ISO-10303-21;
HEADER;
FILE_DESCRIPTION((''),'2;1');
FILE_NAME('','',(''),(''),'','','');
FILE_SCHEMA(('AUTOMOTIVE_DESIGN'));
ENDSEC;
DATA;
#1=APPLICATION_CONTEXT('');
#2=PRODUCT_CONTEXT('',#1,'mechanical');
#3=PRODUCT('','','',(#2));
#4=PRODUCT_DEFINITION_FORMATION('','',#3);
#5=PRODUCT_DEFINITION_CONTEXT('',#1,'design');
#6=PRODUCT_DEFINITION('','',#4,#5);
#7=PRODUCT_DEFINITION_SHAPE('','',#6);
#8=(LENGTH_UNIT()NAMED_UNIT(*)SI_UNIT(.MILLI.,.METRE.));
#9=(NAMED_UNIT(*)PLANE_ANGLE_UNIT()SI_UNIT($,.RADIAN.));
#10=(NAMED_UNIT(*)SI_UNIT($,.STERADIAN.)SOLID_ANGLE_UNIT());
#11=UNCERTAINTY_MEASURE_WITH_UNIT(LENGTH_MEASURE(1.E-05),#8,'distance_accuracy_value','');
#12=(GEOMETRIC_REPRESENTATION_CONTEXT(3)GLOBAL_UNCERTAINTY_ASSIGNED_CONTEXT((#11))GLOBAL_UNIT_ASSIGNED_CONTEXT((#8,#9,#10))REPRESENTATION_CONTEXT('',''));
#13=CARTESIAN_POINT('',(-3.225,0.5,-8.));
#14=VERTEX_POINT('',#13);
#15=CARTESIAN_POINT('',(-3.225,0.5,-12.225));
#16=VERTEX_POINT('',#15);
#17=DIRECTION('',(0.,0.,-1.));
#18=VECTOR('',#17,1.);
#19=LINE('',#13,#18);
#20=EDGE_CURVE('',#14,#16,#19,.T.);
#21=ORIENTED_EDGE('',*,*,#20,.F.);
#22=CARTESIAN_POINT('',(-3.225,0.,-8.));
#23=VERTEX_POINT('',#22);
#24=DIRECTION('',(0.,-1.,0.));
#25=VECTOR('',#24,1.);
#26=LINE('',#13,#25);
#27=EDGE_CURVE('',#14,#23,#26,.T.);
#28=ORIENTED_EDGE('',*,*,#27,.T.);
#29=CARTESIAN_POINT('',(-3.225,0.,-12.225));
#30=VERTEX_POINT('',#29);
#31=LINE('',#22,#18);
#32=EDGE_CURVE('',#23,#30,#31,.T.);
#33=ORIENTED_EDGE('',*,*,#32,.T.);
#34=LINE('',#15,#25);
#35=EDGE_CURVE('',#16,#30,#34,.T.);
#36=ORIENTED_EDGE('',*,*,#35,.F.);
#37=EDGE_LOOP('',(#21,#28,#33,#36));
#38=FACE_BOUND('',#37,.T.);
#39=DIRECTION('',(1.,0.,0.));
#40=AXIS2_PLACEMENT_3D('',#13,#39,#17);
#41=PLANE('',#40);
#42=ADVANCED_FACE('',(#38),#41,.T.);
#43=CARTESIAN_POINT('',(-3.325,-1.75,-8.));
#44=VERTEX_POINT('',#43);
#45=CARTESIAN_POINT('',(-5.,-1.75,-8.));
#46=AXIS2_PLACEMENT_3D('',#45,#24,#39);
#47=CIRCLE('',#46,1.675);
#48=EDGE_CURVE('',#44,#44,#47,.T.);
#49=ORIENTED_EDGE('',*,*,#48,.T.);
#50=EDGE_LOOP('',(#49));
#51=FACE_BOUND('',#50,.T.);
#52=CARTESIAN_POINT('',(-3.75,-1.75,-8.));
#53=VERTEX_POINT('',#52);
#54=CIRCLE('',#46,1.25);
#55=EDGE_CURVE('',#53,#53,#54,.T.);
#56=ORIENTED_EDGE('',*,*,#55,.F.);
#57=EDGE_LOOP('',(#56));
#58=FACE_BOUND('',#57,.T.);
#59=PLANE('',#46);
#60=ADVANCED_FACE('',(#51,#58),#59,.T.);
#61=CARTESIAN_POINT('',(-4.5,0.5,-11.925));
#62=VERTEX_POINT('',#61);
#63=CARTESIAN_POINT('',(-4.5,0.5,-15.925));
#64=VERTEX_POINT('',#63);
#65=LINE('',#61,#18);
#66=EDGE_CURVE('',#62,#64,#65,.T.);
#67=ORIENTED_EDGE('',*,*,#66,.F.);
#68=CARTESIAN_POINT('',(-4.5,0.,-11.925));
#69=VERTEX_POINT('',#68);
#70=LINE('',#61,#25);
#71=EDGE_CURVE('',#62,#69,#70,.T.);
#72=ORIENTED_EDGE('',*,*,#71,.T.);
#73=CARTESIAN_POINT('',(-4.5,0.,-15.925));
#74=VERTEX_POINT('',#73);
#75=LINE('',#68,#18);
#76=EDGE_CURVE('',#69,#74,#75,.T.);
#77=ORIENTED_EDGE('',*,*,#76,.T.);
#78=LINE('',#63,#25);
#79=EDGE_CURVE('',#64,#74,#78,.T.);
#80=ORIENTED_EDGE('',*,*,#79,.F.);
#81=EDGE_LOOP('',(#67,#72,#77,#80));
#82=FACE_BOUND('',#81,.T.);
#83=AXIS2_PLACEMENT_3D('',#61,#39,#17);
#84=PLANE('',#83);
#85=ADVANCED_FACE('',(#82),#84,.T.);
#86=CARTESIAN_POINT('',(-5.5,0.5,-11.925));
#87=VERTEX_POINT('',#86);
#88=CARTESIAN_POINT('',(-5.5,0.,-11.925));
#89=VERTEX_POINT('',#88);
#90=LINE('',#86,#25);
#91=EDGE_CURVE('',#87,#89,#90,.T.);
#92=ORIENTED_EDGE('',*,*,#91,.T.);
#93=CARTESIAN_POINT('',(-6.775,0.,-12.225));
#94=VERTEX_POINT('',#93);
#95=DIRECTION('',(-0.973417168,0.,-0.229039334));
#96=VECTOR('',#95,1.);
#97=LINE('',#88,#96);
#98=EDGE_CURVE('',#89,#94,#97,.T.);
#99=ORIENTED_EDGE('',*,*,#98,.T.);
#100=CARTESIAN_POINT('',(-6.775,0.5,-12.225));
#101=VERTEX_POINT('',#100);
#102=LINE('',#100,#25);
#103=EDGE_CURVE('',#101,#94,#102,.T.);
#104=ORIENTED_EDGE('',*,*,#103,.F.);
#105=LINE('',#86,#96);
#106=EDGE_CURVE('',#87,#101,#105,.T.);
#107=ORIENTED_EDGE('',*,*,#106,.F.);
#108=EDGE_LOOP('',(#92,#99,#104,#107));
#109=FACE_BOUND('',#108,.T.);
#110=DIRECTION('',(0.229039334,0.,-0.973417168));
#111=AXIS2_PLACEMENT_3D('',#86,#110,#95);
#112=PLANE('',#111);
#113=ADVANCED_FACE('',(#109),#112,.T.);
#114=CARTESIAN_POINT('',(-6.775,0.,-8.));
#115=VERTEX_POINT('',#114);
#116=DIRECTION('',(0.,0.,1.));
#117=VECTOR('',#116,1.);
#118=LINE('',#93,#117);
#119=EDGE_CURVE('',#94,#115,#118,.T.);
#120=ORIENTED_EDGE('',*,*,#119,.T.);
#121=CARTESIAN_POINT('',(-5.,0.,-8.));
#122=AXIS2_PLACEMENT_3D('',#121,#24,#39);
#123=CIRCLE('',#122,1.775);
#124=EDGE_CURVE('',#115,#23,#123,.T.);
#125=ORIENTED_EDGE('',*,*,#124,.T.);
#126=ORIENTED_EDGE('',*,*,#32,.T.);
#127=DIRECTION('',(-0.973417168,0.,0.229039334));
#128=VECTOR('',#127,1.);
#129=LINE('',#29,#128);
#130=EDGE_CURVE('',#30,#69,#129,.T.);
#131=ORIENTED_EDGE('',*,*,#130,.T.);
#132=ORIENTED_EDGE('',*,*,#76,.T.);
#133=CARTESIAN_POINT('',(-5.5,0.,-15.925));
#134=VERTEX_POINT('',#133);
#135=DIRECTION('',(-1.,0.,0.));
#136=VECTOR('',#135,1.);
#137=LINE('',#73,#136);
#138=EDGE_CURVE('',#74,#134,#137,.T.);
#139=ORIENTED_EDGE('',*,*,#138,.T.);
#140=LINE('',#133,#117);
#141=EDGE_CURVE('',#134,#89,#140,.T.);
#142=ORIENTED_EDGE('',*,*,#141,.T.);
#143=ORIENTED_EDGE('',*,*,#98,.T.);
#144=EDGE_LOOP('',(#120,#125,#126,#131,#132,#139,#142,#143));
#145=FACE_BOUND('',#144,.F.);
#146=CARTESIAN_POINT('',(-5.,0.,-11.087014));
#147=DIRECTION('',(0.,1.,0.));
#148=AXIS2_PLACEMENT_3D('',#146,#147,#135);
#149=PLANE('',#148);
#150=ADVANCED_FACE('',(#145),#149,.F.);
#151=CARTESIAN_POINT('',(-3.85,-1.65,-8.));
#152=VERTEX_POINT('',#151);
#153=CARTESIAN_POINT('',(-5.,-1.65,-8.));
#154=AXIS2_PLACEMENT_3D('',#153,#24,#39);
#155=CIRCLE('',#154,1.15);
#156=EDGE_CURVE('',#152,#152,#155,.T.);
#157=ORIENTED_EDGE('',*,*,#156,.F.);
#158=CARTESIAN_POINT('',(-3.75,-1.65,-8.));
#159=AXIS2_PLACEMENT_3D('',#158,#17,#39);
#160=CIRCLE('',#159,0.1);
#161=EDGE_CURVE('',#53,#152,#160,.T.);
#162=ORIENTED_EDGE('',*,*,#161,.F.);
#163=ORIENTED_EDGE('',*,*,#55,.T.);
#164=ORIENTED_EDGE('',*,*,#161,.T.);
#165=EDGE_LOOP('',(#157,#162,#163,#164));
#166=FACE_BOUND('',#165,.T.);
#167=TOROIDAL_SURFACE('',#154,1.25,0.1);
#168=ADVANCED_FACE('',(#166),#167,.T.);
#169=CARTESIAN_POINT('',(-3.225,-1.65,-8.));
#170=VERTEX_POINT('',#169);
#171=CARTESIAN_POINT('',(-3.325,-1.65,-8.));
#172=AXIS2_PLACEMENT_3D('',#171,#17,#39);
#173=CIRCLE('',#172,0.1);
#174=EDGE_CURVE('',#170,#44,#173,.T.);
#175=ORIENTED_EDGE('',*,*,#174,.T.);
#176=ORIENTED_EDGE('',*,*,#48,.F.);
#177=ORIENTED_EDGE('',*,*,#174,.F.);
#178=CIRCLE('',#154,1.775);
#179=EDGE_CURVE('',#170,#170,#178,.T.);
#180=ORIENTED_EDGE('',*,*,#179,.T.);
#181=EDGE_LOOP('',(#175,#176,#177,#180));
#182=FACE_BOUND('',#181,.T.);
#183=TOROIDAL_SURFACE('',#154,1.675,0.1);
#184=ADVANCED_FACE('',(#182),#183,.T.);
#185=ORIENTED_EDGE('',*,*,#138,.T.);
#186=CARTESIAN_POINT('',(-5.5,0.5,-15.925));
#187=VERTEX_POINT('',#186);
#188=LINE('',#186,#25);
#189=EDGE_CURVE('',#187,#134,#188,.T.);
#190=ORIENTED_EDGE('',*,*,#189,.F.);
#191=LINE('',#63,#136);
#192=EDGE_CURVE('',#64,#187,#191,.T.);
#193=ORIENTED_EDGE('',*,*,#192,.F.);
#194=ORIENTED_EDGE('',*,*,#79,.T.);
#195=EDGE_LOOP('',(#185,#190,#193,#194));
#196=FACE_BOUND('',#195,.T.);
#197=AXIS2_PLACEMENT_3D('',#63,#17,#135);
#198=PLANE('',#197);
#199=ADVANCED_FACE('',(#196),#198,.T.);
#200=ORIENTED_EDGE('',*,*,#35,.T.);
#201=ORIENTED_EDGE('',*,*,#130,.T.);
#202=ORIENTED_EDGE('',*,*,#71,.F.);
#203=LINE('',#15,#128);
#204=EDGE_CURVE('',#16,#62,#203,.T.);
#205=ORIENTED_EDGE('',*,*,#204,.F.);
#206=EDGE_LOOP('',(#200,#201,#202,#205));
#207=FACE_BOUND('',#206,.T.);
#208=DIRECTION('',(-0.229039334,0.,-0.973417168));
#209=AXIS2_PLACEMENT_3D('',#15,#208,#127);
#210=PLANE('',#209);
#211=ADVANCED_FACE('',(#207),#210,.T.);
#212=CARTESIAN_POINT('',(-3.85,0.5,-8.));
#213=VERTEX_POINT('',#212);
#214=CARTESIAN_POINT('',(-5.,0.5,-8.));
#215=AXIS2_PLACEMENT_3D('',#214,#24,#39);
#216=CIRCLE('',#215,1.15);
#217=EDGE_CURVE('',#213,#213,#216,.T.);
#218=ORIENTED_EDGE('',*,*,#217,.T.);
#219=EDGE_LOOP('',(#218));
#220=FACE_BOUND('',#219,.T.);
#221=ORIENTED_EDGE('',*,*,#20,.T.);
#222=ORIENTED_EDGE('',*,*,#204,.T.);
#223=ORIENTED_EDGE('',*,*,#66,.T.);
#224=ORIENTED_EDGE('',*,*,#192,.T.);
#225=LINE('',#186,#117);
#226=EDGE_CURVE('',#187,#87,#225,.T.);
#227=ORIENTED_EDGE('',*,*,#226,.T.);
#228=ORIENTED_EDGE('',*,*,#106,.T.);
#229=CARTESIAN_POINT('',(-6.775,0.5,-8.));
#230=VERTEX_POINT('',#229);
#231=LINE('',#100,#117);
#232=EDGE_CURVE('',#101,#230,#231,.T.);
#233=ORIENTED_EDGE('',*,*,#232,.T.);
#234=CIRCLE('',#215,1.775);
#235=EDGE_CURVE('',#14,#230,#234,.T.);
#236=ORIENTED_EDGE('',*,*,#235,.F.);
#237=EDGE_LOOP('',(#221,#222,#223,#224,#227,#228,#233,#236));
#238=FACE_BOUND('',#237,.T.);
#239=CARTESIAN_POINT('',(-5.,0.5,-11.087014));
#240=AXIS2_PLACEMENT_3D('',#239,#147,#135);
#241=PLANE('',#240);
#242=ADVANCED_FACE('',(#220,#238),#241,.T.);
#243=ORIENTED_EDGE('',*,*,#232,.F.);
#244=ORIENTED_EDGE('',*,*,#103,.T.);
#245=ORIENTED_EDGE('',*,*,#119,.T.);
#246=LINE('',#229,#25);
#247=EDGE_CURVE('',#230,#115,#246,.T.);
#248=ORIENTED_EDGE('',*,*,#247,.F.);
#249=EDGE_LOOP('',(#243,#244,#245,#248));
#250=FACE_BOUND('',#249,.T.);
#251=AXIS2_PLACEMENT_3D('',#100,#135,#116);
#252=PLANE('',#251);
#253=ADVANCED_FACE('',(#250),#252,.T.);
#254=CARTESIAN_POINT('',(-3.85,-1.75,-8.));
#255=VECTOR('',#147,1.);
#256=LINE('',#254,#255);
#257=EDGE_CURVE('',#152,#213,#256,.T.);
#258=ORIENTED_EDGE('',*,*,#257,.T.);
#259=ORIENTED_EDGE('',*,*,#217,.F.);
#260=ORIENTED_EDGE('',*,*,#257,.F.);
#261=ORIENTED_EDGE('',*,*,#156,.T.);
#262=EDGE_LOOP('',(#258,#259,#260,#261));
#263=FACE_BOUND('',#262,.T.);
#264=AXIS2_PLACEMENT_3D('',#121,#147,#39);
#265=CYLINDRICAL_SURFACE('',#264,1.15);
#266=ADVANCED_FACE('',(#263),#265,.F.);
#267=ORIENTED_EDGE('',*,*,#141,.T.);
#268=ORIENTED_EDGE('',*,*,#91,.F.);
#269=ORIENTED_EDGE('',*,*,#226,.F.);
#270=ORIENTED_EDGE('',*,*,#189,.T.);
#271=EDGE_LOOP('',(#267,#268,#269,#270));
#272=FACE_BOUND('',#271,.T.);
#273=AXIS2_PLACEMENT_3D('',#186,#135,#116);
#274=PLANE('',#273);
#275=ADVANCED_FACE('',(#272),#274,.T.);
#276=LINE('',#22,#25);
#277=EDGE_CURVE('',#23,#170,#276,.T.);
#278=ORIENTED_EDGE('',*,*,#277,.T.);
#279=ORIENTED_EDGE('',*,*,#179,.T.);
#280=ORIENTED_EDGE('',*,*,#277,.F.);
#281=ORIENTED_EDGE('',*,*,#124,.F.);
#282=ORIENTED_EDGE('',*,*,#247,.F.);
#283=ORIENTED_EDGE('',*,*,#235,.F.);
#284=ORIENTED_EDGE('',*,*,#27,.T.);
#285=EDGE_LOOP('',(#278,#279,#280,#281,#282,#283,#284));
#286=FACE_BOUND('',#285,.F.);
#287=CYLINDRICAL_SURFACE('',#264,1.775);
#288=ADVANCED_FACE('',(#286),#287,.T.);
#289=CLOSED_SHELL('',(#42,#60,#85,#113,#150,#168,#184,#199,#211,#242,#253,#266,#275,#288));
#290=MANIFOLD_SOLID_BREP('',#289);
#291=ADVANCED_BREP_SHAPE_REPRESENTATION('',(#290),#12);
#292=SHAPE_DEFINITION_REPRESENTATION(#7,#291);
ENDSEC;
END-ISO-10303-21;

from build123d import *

# Parameters (mm, degrees)
SKETCH103_R   = 1.15
PAD064_DEPTH  = 0.5
SKETCH104_R   = 1.775
SKETCH104_R_2 = 1.15
PAD065_DEPTH  = 1.75
FILLET007_R   = 0.1


with BuildPart() as part:
    # Sketch103 → Pad064 (new body)
    with BuildSketch(Plane.XZ):
        with BuildLine():
            Line((1.775, 0), (1.775, -4.225))
            Line((1.775, -4.225), (0.5, -3.925))
            Line((0.5, -3.925), (0.5, -7.925))
            Line((0.5, -7.925), (-0.5, -7.925))
            Line((-0.5, -7.925), (-0.5, -3.925))
            Line((-0.5, -3.925), (-1.775, -4.225))
            Line((-1.775, -4.225), (-1.775, 0))
            ThreePointArc((1.775, 0), (0, 1.775), (-1.775, 0))
        make_face()
        Circle(SKETCH103_R, mode=Mode.SUBTRACT)
    extrude(amount=PAD064_DEPTH)

    # Sketch104 (on Face11 of Pad064) → Pad065 (join)
    with BuildSketch(Plane.XZ.offset(0.5)):
        Circle(SKETCH104_R)
        Circle(SKETCH104_R_2, mode=Mode.SUBTRACT)
    extrude(amount=PAD065_DEPTH)

    # Fillet007
    fillet007_edges = [part.edges().sort_by_distance(p)[0] for p in [
        (-1.775, -2.25, 0),
        (-1.15, -2.25, 0),
    ]]
    fillet(fillet007_edges, radius=FILLET007_R)


with BuildPart() as part_1:
    # Body026 placement: moved
    add(part.part.moved(Location((-5, 0.5, -8))))


solid = part_1.part
